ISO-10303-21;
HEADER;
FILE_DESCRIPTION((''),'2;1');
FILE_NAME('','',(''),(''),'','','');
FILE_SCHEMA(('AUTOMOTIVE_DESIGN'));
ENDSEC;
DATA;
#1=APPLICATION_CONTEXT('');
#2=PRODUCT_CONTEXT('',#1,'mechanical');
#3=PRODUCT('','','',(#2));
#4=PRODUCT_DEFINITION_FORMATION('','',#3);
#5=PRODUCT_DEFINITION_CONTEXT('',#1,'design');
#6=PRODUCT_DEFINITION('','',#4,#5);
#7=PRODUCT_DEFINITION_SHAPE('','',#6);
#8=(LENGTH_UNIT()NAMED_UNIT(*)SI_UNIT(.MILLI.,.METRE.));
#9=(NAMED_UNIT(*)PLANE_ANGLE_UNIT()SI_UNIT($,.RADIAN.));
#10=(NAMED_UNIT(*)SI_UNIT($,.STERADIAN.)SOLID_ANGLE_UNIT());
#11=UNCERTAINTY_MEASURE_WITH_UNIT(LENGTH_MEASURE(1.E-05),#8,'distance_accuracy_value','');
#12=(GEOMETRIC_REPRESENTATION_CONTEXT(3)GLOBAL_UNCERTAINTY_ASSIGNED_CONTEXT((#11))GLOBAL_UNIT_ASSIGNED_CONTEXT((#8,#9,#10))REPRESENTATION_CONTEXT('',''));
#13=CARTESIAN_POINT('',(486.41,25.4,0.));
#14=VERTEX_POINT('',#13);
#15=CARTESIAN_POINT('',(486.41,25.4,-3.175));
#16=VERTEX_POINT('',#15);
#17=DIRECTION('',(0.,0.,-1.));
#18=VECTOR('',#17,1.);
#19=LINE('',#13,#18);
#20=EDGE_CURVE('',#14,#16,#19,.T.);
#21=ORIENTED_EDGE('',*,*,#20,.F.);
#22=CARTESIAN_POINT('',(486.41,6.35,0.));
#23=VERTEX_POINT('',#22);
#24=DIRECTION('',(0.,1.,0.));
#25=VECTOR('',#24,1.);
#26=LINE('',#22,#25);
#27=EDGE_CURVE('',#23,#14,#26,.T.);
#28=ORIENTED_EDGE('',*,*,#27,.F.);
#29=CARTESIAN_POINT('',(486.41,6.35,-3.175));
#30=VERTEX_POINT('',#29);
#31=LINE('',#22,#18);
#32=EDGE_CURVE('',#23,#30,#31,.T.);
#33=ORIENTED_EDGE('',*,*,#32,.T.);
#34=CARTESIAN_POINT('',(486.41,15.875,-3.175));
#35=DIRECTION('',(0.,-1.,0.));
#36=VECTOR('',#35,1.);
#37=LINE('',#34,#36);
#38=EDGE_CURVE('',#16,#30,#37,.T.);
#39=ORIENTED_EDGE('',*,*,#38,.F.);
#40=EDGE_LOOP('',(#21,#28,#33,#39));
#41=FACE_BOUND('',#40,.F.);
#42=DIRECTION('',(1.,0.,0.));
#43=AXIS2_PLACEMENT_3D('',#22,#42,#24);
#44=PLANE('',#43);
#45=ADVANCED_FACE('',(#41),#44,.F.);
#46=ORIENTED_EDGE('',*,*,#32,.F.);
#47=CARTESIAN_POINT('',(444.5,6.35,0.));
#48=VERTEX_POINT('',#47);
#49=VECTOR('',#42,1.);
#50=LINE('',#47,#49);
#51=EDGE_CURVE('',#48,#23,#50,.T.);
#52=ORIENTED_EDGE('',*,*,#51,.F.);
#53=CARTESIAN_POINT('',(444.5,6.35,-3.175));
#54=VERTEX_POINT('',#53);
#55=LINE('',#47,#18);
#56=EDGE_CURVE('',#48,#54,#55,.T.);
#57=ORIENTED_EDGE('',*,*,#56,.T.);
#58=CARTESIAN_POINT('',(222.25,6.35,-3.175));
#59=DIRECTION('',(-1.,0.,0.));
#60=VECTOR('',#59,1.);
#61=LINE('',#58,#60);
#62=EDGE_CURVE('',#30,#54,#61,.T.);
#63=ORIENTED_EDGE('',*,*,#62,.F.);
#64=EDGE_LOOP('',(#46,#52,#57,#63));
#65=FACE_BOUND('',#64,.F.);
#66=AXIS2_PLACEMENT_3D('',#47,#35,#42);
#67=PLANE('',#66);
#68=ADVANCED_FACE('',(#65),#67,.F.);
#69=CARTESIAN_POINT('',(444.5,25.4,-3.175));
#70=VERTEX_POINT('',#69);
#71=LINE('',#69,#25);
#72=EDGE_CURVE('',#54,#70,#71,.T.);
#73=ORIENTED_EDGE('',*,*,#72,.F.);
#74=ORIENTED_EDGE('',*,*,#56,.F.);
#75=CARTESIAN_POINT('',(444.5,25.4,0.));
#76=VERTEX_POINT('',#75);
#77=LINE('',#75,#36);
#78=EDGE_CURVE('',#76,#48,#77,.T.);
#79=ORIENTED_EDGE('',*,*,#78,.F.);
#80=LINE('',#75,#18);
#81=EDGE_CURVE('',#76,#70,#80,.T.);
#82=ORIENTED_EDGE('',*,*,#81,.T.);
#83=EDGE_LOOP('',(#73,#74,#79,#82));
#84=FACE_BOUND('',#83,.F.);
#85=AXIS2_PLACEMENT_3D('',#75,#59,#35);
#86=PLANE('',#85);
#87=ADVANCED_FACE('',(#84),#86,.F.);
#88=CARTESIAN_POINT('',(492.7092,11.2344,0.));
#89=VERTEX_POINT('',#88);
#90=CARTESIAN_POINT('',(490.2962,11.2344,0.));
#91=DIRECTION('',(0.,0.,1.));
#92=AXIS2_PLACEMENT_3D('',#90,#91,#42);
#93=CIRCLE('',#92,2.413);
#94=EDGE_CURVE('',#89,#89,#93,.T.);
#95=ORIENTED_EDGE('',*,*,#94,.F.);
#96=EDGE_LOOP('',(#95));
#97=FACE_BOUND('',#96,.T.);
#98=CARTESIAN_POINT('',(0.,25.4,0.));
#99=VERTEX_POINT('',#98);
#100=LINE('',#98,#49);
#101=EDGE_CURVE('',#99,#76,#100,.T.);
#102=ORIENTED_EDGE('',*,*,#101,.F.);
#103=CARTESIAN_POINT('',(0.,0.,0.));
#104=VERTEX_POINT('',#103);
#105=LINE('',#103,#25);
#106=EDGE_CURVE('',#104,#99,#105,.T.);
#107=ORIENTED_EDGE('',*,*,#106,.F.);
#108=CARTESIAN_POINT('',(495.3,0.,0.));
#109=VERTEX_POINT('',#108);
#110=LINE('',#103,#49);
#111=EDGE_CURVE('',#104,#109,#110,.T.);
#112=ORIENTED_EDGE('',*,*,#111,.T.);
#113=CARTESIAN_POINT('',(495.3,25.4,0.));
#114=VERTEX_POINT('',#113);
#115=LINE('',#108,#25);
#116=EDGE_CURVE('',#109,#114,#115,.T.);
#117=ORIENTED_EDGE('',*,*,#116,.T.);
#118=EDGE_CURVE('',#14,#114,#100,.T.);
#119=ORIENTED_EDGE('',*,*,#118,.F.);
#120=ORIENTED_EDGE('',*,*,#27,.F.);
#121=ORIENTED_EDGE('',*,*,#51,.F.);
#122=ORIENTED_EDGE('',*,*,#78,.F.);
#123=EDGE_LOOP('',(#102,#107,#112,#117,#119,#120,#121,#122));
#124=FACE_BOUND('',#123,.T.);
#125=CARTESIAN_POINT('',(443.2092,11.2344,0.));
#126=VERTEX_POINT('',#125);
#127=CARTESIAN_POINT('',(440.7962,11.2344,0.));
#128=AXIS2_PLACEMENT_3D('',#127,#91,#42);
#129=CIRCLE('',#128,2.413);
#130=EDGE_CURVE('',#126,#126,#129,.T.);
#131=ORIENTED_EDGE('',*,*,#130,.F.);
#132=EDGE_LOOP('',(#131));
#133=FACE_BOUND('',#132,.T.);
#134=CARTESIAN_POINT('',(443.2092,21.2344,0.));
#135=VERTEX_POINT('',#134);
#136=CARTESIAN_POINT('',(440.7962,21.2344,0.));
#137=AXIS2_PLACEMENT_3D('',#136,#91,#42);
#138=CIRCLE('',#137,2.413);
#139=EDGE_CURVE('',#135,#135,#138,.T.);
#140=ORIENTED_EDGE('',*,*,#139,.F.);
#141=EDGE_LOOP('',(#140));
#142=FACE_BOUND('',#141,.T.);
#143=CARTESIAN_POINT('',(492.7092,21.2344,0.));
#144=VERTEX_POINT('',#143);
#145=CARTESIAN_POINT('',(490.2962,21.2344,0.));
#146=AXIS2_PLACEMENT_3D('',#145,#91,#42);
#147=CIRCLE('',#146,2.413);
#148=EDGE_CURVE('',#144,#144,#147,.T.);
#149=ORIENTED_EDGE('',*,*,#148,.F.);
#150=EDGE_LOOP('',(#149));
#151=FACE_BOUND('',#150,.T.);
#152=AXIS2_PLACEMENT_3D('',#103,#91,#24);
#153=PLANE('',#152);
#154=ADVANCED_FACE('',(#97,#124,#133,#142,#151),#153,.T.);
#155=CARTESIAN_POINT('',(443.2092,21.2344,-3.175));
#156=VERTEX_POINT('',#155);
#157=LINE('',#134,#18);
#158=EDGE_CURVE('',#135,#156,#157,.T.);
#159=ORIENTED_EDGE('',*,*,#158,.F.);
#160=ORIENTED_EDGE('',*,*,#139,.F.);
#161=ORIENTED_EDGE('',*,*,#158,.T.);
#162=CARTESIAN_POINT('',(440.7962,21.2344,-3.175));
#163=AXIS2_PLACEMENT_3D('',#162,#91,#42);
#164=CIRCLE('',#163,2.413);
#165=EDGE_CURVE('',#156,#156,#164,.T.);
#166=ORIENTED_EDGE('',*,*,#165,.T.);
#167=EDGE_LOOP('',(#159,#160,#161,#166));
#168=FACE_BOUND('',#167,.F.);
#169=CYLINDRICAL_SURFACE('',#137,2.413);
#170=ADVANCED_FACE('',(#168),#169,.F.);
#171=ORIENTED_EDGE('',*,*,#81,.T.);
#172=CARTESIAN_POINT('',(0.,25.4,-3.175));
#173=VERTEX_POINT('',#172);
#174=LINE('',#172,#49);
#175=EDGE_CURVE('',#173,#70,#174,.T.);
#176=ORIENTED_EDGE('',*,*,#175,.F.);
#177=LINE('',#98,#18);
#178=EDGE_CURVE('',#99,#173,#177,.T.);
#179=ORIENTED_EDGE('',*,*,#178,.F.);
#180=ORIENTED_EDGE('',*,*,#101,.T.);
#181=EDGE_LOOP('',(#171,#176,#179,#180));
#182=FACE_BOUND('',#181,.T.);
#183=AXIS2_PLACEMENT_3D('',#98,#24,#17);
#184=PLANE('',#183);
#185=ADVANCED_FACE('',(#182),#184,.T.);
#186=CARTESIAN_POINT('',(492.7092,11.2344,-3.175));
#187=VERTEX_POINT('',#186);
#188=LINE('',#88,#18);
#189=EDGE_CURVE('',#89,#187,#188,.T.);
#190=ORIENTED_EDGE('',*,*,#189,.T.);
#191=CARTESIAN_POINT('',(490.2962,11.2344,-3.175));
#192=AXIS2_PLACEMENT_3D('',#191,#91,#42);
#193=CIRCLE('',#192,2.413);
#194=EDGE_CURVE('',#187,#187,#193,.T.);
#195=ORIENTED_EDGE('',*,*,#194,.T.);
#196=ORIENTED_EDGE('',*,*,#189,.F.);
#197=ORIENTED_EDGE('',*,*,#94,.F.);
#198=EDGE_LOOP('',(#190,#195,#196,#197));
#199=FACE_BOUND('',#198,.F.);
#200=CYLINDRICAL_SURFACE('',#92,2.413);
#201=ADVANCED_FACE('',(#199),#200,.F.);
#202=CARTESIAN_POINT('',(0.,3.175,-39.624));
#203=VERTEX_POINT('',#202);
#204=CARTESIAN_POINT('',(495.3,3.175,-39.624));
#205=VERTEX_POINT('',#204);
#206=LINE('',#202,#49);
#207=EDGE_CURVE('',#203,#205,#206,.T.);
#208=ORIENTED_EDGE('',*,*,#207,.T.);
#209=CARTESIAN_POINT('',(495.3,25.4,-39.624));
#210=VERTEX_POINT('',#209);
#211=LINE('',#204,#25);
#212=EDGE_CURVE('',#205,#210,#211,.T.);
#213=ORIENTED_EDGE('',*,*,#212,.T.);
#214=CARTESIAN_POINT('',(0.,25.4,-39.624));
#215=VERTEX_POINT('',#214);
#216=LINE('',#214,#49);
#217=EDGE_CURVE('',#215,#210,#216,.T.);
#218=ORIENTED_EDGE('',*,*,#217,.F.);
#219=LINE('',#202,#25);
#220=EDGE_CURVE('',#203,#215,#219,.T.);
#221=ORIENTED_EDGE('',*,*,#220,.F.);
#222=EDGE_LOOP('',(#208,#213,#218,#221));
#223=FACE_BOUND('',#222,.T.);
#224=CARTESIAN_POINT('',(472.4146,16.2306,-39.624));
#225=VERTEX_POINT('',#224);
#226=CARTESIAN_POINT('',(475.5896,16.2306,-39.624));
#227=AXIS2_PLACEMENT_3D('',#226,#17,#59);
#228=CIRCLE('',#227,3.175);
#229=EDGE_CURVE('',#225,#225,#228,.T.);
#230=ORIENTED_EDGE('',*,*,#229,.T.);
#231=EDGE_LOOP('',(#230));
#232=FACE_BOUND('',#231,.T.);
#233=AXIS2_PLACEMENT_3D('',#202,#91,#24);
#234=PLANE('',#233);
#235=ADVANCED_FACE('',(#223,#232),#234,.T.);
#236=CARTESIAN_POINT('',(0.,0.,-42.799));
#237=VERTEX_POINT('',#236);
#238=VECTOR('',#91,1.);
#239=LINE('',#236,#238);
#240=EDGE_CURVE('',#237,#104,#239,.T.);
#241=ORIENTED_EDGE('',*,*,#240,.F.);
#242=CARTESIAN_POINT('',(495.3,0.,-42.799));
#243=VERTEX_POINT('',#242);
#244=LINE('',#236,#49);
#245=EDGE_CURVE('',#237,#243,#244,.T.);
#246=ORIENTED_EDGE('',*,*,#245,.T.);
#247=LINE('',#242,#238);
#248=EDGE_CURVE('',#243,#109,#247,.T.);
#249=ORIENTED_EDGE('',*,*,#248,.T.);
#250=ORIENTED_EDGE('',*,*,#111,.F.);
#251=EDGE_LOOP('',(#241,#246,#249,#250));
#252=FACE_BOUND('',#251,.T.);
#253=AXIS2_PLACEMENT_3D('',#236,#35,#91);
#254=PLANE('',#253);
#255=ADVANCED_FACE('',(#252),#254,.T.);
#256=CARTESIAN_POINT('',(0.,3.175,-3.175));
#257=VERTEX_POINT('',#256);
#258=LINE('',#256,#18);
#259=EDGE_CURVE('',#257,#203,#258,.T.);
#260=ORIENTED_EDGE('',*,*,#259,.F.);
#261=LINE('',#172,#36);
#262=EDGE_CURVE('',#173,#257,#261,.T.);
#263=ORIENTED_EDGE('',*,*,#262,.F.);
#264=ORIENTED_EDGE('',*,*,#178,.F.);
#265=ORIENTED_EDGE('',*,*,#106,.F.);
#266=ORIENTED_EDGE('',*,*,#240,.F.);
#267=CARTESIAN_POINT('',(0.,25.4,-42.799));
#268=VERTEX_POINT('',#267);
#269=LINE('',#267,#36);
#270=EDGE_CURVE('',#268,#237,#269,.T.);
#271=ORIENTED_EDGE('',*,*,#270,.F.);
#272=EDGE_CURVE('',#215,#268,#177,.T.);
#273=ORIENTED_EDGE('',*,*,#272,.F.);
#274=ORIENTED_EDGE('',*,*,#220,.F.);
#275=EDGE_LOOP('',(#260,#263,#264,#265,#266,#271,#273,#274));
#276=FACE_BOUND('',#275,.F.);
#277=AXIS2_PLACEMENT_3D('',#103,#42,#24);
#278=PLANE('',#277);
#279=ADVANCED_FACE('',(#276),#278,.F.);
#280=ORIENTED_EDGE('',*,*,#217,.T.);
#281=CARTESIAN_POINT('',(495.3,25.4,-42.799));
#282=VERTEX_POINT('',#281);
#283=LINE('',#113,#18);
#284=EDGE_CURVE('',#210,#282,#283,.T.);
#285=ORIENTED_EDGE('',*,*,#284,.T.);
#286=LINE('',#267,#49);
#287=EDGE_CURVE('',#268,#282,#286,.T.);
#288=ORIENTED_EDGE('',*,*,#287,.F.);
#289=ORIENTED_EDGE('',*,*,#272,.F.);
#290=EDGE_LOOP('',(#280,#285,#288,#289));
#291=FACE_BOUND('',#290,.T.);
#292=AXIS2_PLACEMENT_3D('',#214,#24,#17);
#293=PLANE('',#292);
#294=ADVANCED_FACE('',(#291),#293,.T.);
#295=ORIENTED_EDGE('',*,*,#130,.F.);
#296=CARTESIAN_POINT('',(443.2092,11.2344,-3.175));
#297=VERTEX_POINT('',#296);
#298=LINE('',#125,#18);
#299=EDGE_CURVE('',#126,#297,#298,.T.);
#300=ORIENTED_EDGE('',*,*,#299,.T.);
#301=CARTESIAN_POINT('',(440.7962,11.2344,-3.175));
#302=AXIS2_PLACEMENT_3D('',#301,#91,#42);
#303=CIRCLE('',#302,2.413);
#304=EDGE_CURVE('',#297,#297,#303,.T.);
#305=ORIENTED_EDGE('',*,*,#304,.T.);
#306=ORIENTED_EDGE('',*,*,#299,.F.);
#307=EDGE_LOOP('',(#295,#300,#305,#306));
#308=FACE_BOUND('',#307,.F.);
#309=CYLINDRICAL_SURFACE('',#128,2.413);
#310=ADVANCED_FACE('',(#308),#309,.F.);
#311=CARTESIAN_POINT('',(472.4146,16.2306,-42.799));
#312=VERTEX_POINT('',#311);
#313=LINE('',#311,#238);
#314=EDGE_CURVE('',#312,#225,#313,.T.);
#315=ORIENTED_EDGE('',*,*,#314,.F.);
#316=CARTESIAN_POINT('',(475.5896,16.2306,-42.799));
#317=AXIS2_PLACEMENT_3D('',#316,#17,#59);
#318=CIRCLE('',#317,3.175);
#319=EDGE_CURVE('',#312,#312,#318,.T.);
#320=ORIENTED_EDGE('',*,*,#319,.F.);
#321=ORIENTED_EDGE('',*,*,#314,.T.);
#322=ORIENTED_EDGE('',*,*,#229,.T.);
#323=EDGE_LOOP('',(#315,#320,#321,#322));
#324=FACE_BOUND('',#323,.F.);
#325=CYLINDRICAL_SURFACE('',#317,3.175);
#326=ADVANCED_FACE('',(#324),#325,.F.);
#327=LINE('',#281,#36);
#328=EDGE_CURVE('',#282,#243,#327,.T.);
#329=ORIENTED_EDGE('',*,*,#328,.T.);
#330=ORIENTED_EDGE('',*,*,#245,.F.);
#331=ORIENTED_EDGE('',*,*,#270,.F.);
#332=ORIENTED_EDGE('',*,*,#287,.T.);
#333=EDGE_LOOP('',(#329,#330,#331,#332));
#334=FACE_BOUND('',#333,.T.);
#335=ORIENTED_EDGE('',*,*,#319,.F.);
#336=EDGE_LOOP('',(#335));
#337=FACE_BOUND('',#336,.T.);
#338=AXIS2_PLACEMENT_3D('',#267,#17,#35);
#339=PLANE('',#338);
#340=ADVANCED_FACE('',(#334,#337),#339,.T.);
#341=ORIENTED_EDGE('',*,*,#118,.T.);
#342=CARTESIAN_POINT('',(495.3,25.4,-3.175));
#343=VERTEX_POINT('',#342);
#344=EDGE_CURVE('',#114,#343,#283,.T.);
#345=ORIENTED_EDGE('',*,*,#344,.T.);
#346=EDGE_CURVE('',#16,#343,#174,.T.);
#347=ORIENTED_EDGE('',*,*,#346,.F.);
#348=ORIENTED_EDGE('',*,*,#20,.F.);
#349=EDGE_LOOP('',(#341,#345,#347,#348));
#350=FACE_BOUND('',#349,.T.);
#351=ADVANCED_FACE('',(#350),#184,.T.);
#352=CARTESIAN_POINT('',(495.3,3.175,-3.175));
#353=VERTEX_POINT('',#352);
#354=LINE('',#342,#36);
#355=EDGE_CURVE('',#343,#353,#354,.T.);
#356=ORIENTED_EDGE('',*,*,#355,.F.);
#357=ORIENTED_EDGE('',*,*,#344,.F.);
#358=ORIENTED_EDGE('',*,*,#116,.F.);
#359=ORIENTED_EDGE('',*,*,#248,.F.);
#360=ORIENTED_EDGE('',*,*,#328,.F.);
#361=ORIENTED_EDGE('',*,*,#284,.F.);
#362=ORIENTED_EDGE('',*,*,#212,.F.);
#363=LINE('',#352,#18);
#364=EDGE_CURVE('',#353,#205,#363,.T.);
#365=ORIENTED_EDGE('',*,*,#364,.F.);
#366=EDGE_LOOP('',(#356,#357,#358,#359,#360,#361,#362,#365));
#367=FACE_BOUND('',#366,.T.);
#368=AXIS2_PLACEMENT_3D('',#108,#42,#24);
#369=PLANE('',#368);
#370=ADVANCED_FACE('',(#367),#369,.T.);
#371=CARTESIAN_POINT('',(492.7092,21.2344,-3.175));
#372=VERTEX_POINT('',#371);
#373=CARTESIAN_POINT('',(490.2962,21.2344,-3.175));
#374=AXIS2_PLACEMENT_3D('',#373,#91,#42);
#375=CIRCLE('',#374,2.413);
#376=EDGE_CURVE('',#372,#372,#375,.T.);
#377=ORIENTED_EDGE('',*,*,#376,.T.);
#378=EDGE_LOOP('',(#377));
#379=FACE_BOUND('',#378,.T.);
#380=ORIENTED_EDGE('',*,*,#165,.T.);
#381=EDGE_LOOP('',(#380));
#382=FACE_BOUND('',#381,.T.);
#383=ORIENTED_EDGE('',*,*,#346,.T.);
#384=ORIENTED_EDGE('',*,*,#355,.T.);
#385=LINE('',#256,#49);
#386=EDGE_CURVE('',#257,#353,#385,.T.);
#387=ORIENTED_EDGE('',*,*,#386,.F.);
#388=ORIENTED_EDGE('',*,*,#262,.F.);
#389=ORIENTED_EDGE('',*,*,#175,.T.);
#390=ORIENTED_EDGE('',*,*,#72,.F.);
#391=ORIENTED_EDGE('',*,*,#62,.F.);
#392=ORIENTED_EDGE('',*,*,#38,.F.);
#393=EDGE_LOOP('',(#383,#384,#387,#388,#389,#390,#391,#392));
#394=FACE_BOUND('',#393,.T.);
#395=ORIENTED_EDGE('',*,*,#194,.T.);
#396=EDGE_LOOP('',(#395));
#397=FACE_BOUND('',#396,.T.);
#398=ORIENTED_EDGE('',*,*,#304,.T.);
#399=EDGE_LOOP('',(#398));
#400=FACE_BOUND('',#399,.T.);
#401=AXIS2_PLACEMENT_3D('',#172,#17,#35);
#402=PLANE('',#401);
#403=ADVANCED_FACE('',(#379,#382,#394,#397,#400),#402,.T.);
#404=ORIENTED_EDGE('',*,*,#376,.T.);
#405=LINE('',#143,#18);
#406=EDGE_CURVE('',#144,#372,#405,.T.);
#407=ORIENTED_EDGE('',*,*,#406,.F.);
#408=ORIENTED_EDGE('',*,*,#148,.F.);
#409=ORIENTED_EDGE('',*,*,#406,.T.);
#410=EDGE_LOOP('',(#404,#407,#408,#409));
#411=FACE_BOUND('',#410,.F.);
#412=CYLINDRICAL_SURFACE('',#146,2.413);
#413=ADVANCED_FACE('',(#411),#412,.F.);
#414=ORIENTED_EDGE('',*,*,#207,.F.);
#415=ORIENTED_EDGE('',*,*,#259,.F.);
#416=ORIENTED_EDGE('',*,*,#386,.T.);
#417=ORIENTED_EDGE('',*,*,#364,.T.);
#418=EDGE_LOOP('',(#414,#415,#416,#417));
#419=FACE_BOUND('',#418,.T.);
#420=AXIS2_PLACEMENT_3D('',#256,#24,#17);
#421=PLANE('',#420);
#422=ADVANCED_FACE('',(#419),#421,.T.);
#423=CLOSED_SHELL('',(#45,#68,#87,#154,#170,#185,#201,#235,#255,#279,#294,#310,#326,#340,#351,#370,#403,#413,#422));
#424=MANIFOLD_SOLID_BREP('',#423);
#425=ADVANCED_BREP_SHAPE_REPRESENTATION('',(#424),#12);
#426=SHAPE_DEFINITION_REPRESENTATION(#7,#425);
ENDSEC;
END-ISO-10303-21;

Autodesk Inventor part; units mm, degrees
ref_plane "YZ Plane" through (0, 0, 0) normal (1, 0, 0) x (0, 1, 0)
ref_plane "XZ Plane" through (0, 0, 0) normal (0, 1, 0) x (-1, 0, 0)
ref_plane "XY Plane" through (0, 0, 0) normal (0, 0, 1) x (1, 0, 0)
sketch "Sketch1" plane through (0, 0, 0) normal (1, 0, 0) x (0, 1, 0)
  line L0 (0, 0) -> (25.4, 0)
  line L1 (25.4, 0) -> (25.4, -42.799)
  line L2 (25.4, -42.799) -> (0, -42.799)
  line L3 (0, -42.799) -> (0, 0)
  line L4 (25.4, -3.175) -> (3.175, -3.175)
  line L5 (3.175, -3.175) -> (3.175, -39.624)
  line L6 (3.175, -39.624) -> (25.4, -39.624)
  line L7 (25.4, -39.624) -> (25.4, -3.175)
  dimension "d0" = 25.4
  dimension "d1" = 42.799
  dimension "d2" = 22.225
  dimension "d3" = 36.449
  dimension "d4" = 3.175
extrude "Extrusion1" add sketch "Sketch1" along normal blind 495.3 contours L0 L1 L4 L5 L6 L2 L3
sketch "Sketch2" plane through (0, 0, 0) normal (0, 0, 1) x (1, 0, 0)
  line L0 (0, 25.4) -> (0, 0) projected
  line L1 (0, 0) -> (495.3, 0) projected
  line L2 (495.3, 25.4) -> (495.3, 0) projected
  line L3 (0, 25.4) -> (495.3, 25.4) projected
  line L4 (486.41, 25.4) -> (444.5, 25.4)
  line L5 (444.5, 25.4) -> (444.5, 6.35)
  line L6 (444.5, 6.35) -> (486.41, 6.35)
  line L7 (486.41, 6.35) -> (486.41, 25.4)
  circle A0 centre (490.2962, 21.2344) radius 2.413
  circle A1 centre (490.2962, 11.2344) radius 2.413
  circle A2 centre (440.7962, 21.2344) radius 2.413
  circle A3 centre (440.7962, 11.2344) radius 2.413
  dimension "d7" = 8.89
  dimension "d8" = 25.4
  dimension "d9" = 19.05
  dimension "d10" = 50.8
  dimension "d11" = 4.826
  dimension "d12" = 4.826
  dimension "d13" = 4.1656
  dimension "d14" = 10
  dimension "d15" = 4.826
  dimension "d16" = 4.826
  dimension "d26" = 5.0038
  dimension "d27" = 5.0038
  dimension "d28" = 49.5
  dimension "d29" = 49.5
  dimension "d30" = 10
extrude "Extrusion2" cut sketch "Sketch2" against normal blind 12.7 contours L3 L7 L6 L5 | A0 | A1 | A2 | A3
sketch "Sketch3" plane through (0, 0, -42.799) normal (0, 0, -1) x (-1, 0, 0)
  line L0 (0, 0) -> (0, 25.4) projected
  line L1 (0, 25.4) -> (-495.3, 25.4) projected
  line L2 (-495.3, 0) -> (-495.3, 25.4) projected
  line L3 (0, 0) -> (-495.3, 0) projected
  circle A0 centre (-475.5896, 16.2306) radius 3.175
  point P0 (0, 0)
  dimension "d21" = 6.35
  dimension "d22" = 19.7104
  dimension "d23" = 9.1694
extrude "Extrusion3" cut sketch "Sketch3" against normal blind 12.7 contours A0
equation "\"d12\" = d11"
equation "\"d15\" = d11"
equation "\"d16\" = d11"
equation "\"d27\" = d26"
equation "\"d29\" = d28"
equation "\"d30\" = d14"
properties part number "ArmProto1.2"
